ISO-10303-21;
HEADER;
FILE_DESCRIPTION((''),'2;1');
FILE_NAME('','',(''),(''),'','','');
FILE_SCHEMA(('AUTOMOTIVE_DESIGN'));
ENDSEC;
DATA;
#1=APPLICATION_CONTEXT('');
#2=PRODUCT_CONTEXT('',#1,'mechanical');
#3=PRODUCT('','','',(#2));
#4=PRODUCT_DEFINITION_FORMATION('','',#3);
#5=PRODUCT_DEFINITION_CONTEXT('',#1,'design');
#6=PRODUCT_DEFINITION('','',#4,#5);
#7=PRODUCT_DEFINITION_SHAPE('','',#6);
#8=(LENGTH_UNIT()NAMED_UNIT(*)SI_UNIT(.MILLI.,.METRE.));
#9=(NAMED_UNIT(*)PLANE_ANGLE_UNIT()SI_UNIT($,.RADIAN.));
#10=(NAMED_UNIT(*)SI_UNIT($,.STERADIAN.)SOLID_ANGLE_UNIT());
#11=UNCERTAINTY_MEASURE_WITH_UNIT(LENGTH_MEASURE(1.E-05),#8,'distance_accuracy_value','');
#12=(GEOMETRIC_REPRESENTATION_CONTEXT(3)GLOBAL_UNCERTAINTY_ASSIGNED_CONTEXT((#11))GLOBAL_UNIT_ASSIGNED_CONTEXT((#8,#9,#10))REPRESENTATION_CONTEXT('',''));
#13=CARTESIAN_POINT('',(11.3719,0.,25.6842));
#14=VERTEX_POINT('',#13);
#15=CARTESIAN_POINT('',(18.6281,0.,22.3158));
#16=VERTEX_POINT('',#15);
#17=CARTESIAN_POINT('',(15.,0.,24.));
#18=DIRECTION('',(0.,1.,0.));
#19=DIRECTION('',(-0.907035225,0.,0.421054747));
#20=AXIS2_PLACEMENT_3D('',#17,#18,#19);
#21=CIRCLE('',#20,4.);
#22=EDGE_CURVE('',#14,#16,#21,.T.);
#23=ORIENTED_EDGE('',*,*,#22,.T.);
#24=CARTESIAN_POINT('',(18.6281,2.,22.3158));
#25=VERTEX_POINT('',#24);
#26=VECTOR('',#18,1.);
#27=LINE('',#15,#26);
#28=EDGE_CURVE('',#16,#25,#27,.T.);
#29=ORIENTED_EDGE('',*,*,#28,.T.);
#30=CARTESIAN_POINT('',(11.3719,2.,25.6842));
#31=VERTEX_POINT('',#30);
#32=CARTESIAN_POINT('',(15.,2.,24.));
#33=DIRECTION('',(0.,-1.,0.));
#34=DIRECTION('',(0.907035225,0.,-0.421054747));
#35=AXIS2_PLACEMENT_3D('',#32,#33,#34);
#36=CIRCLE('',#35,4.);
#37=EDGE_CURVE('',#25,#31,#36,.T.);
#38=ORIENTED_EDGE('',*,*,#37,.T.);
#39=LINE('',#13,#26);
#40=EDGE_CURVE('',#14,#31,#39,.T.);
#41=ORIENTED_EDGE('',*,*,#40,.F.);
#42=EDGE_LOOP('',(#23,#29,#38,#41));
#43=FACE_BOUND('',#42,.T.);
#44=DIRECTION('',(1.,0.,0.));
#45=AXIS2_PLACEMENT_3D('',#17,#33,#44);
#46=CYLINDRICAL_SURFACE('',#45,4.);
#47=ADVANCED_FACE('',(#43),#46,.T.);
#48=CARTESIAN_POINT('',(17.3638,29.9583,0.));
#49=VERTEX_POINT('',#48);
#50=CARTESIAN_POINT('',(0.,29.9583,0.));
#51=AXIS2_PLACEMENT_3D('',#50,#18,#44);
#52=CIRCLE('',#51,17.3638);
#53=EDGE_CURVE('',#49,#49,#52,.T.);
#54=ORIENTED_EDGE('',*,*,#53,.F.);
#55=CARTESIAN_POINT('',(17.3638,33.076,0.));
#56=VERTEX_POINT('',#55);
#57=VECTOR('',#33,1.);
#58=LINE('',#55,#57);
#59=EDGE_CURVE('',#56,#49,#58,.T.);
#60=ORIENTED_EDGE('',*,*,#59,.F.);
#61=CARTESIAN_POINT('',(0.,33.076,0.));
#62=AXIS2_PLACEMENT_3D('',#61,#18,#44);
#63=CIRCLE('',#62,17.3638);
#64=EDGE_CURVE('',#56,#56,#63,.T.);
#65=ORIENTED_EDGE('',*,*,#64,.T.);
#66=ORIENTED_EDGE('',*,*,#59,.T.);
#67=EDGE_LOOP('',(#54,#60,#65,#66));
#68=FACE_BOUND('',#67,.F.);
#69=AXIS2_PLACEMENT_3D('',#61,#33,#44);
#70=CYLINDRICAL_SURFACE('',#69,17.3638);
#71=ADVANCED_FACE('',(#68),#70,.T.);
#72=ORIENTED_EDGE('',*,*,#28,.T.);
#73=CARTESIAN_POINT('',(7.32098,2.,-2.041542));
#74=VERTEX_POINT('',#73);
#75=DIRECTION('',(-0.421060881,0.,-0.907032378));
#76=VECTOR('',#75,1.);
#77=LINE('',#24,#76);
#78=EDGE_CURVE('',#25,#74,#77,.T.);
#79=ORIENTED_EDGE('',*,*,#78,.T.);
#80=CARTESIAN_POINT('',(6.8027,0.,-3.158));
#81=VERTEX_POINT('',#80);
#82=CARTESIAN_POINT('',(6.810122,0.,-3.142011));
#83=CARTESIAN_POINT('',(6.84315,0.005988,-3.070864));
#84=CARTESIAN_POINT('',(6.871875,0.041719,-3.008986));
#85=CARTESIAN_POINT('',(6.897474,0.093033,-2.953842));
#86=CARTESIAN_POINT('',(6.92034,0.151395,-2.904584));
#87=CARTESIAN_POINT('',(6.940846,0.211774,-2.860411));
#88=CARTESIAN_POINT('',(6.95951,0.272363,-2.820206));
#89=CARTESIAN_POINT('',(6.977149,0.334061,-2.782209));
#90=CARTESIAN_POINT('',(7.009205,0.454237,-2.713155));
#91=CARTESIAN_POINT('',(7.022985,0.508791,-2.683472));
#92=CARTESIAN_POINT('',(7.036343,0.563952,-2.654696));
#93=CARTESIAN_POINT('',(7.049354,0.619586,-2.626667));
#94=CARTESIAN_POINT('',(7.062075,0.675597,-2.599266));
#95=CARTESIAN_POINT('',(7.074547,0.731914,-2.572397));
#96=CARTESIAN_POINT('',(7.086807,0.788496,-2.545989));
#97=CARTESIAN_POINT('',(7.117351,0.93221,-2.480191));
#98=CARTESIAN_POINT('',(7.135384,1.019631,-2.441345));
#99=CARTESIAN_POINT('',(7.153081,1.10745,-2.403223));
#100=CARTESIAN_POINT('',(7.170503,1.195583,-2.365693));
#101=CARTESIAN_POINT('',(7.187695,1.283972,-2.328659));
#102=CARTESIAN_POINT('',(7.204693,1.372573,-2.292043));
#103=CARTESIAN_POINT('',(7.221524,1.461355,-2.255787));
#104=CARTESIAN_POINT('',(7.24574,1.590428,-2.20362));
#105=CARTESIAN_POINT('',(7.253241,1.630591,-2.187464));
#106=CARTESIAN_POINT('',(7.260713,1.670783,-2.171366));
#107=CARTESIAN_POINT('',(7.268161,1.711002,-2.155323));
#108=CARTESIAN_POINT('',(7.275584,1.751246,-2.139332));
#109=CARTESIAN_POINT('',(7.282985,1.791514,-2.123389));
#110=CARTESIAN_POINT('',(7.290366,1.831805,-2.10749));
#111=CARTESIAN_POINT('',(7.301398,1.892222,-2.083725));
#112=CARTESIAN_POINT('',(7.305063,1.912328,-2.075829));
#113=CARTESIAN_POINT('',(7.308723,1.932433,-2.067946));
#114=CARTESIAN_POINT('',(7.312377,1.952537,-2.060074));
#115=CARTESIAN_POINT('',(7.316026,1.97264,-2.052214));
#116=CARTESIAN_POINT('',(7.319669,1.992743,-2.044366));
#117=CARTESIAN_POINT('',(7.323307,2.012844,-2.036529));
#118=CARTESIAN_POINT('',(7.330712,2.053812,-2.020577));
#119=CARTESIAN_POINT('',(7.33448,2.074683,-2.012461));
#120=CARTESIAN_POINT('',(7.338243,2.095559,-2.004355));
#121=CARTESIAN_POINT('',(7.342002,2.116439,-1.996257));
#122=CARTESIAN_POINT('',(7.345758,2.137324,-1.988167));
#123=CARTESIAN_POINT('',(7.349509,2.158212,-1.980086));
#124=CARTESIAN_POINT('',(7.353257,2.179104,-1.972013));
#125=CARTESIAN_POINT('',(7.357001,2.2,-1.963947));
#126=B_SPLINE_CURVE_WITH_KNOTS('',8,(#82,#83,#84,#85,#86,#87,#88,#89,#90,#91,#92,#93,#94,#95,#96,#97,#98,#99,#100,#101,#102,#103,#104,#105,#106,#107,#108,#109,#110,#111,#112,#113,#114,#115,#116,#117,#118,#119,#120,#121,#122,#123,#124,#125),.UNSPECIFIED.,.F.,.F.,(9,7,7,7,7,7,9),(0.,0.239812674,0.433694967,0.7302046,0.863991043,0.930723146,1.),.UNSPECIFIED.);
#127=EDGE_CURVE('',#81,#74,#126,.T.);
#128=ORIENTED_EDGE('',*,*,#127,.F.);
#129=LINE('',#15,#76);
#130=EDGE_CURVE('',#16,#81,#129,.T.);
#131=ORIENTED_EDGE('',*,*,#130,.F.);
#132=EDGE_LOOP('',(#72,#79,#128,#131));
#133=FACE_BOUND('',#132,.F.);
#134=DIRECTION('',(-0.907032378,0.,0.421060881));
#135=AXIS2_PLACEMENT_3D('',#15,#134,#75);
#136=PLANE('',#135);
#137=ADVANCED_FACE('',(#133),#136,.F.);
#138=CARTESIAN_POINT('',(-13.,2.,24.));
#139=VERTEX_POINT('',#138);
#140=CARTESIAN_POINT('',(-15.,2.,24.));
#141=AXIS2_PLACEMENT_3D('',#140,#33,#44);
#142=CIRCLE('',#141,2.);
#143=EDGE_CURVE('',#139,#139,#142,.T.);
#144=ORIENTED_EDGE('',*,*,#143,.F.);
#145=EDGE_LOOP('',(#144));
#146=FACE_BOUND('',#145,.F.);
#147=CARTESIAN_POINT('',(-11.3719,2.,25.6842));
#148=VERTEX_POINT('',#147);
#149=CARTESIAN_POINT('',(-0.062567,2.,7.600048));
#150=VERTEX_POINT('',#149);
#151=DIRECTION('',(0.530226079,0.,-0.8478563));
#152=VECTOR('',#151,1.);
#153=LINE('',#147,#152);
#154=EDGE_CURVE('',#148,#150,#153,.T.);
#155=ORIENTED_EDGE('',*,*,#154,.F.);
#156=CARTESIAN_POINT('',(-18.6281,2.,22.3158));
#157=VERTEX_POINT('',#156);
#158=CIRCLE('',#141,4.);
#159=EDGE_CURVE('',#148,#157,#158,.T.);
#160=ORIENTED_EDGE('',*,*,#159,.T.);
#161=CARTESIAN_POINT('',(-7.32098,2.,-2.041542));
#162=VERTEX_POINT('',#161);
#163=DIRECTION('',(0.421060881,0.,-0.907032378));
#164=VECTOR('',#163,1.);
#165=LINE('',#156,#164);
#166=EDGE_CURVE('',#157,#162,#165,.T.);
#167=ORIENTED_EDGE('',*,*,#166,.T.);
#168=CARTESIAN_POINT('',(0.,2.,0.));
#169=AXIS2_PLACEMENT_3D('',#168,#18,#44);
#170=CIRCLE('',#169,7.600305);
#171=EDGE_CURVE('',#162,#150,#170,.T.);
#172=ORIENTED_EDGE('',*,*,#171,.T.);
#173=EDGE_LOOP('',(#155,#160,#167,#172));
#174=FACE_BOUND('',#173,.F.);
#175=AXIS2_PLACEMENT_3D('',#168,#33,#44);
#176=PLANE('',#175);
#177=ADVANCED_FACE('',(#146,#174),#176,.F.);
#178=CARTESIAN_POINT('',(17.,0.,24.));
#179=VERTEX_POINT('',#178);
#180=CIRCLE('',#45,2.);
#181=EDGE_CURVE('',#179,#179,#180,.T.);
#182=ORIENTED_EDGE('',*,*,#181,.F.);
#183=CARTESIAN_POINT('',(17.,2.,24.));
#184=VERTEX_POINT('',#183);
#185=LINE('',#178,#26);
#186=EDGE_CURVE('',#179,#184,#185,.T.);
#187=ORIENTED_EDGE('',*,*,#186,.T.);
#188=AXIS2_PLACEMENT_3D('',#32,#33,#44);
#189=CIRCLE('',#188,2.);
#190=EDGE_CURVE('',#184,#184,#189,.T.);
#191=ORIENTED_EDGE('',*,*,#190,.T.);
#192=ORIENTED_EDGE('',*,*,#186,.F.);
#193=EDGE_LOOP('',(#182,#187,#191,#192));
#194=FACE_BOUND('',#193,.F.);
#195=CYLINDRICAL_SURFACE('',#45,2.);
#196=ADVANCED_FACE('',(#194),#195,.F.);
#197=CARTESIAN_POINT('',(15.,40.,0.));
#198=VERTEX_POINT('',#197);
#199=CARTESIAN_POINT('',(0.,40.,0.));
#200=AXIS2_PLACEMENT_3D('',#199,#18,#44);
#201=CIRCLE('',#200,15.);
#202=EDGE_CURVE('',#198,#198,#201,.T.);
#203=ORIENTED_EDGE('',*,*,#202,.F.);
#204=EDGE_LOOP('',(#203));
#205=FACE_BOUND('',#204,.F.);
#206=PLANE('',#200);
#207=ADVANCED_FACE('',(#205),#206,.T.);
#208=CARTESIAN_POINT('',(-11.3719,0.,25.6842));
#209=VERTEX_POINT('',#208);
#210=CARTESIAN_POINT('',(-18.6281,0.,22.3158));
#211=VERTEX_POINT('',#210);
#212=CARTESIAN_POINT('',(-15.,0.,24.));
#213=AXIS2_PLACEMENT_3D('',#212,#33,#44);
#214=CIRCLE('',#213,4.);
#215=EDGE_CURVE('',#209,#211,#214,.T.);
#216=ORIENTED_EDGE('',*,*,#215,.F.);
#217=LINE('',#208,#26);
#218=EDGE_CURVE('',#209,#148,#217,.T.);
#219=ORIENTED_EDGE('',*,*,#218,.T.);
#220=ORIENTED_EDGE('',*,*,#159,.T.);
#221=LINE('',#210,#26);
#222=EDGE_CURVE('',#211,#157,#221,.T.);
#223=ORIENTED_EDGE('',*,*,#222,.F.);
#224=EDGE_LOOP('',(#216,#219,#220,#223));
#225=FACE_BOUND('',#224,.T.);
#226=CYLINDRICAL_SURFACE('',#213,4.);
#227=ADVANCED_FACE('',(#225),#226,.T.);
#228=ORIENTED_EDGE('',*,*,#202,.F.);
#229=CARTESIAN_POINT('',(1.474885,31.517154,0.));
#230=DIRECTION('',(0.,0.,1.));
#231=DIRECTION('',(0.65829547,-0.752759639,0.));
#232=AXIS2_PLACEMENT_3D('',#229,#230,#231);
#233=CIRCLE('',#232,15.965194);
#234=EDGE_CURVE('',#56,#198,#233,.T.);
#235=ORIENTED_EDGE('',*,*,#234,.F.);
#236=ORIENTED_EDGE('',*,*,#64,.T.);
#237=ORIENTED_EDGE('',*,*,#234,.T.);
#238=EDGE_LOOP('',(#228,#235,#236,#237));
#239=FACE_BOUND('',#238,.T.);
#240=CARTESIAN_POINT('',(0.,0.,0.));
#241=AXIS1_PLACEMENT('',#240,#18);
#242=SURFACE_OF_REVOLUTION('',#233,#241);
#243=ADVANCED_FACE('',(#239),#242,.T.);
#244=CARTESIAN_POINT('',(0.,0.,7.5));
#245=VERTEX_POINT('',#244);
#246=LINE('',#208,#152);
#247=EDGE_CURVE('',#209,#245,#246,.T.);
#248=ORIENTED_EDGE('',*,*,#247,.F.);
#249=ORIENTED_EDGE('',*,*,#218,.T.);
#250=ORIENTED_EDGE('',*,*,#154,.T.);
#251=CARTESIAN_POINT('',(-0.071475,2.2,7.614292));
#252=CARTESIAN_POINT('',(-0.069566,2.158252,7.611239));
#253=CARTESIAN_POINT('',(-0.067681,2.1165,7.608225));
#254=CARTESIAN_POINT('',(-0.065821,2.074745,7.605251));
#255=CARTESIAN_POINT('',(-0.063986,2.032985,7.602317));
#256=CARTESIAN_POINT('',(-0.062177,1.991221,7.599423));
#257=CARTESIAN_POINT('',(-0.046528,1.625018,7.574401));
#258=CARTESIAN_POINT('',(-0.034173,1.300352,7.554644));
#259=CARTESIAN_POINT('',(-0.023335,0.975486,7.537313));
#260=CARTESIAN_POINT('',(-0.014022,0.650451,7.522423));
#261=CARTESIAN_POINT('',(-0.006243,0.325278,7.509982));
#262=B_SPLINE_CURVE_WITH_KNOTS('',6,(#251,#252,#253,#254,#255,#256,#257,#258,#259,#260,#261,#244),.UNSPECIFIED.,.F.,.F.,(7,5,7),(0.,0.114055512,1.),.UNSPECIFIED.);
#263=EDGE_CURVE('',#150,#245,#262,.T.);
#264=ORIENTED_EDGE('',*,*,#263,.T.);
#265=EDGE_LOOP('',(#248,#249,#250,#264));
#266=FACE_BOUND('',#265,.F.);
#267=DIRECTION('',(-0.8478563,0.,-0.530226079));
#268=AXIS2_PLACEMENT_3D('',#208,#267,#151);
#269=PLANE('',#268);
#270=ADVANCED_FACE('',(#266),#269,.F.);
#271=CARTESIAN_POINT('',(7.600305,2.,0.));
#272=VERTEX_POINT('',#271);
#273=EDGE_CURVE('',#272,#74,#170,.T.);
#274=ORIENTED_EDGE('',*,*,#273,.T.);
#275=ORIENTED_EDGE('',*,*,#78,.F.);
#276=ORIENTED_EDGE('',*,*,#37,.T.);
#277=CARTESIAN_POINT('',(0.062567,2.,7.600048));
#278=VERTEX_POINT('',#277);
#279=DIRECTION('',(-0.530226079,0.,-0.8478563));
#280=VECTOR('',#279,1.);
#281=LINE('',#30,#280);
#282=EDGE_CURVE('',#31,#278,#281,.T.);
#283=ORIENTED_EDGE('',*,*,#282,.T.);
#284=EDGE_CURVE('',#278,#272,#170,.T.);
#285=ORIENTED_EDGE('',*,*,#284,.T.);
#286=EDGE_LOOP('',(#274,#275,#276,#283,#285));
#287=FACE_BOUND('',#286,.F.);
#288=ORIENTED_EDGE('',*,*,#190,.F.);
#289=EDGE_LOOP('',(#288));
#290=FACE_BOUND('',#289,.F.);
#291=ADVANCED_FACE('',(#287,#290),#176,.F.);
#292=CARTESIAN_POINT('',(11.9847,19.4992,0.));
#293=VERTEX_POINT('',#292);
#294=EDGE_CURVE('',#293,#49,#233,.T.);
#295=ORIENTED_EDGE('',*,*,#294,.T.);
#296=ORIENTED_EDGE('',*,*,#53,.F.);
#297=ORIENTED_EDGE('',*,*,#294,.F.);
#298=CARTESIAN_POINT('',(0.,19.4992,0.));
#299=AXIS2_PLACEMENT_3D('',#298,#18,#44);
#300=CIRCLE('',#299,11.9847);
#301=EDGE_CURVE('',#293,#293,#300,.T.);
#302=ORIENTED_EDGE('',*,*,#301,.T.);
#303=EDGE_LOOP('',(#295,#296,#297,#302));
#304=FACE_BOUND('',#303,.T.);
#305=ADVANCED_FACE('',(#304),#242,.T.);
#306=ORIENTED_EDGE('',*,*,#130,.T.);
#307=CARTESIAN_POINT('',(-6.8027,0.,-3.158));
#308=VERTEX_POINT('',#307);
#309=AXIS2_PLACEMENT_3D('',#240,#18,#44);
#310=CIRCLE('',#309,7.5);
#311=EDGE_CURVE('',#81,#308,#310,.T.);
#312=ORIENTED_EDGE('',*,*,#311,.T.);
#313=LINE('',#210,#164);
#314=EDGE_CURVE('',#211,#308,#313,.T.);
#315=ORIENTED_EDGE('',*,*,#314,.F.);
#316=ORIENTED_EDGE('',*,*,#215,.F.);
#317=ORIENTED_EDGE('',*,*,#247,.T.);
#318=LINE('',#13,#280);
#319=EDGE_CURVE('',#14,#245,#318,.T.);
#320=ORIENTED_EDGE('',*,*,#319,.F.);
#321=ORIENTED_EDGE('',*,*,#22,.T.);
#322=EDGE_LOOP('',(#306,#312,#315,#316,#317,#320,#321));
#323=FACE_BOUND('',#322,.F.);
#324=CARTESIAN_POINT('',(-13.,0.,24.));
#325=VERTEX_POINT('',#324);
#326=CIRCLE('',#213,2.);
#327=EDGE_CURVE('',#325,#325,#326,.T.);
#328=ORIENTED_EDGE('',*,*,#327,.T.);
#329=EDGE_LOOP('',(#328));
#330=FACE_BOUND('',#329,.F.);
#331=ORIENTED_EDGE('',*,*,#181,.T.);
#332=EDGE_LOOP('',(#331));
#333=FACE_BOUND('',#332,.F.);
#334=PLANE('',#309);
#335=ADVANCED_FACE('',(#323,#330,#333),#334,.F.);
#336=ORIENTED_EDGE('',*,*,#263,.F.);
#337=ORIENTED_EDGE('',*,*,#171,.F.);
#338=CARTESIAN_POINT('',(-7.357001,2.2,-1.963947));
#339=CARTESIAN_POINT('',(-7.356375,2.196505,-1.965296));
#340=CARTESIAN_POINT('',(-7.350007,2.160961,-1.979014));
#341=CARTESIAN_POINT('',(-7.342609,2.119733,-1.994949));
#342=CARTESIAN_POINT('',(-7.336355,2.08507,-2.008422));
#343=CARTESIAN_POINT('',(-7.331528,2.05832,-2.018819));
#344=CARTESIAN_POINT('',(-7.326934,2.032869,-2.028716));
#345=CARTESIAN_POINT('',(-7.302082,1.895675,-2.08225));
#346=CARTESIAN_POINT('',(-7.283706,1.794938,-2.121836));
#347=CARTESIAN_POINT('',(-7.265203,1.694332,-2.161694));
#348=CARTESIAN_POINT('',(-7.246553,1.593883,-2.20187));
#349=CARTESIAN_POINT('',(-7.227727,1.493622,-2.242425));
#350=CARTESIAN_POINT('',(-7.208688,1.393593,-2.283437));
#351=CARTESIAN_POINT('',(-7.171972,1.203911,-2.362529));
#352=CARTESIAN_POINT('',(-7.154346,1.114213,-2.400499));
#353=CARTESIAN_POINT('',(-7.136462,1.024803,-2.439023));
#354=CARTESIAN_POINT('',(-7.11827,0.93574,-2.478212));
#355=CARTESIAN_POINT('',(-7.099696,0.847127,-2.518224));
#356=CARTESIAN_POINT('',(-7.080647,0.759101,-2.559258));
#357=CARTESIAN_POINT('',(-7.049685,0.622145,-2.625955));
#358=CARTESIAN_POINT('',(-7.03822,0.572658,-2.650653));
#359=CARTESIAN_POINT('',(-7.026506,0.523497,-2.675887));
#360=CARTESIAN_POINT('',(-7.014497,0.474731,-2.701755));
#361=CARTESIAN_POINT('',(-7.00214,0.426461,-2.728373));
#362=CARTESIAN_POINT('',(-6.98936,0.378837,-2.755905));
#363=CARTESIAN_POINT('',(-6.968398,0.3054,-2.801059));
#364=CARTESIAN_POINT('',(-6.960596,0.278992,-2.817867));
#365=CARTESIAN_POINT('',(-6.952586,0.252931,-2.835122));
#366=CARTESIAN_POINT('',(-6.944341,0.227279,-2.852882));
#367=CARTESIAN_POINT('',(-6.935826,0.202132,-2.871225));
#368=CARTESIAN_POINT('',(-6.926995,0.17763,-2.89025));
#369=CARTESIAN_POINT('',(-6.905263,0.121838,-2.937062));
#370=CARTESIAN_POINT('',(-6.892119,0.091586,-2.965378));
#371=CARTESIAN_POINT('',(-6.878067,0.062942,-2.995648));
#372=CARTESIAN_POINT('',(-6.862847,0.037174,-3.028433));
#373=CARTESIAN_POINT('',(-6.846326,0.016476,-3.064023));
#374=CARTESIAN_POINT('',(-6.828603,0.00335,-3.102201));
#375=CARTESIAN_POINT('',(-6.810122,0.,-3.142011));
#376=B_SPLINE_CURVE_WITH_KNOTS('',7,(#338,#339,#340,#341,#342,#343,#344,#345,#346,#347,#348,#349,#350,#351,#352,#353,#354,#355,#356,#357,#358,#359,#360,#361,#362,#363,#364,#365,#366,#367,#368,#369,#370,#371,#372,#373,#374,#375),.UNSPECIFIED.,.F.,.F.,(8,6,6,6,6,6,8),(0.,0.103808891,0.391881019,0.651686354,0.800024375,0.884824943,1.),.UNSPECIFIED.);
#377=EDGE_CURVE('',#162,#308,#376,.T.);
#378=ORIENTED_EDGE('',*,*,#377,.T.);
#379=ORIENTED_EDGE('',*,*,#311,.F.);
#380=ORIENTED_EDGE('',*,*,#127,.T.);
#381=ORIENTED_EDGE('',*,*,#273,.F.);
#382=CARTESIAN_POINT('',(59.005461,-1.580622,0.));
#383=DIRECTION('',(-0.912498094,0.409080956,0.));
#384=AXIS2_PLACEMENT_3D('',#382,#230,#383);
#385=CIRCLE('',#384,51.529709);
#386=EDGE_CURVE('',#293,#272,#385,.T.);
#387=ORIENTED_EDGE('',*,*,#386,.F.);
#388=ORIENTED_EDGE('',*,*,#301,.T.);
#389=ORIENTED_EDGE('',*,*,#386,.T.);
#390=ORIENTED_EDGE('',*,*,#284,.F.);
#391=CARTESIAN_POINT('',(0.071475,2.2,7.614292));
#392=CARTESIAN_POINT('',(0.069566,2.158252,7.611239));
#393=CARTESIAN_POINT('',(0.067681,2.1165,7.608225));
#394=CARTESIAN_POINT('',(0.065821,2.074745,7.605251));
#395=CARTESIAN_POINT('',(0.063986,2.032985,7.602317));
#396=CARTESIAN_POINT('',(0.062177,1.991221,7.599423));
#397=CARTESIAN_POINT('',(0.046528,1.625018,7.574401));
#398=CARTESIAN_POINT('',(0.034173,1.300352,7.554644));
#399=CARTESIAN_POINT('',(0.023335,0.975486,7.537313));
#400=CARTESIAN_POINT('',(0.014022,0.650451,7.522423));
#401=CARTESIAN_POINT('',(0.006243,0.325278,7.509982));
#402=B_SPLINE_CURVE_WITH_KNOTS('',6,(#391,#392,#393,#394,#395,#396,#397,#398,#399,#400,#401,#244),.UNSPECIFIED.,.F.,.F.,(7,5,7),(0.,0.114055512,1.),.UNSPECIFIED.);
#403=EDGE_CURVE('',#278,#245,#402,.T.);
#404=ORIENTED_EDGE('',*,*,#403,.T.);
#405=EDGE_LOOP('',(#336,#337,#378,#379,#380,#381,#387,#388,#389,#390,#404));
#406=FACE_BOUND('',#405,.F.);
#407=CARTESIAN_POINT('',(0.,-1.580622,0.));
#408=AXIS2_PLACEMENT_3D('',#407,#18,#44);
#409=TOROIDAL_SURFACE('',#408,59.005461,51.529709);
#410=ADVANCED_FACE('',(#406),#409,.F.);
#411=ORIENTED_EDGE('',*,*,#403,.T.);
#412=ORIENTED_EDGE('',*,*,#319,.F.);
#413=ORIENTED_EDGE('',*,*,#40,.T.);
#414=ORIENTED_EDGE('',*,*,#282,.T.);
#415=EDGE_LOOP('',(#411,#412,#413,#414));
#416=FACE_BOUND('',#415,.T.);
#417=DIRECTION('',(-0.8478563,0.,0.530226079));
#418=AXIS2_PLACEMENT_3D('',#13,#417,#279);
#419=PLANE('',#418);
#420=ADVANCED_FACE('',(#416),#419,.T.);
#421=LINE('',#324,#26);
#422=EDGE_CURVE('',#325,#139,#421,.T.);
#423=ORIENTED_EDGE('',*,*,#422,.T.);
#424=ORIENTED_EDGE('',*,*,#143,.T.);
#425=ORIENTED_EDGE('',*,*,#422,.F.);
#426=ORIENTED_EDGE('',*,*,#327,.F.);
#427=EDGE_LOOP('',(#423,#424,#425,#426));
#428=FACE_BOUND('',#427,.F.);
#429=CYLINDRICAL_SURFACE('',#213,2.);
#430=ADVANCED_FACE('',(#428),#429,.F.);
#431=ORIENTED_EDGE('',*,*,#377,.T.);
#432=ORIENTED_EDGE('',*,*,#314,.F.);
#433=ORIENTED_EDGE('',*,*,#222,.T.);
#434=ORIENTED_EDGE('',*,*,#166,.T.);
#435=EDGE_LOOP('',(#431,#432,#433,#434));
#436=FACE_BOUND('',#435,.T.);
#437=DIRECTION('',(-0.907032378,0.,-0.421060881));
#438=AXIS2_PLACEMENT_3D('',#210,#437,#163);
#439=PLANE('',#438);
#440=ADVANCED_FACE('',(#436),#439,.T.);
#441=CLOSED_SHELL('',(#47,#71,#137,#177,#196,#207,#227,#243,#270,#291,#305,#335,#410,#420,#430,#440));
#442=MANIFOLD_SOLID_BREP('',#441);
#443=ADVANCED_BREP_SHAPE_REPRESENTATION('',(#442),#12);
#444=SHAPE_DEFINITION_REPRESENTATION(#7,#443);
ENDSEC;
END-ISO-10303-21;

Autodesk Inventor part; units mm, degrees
ref_plane "YZ Plane" through (0, 0, 0) normal (1, 0, 0) x (0, 1, 0)
ref_plane "XZ Plane" through (0, 0, 0) normal (0, 1, 0) x (-1, 0, 0)
ref_plane "XY Plane" through (0, 0, 0) normal (0, 0, 1) x (1, 0, 0)
sketch "Sketch1" plane through (0, 0, 0) normal (0, 0, 1) x (1, 0, 0)
  line L0 (0, 0) -> (0, 40)
  line L1 (0, 40) -> (15, 40)
  line L2 (0, 40) -> (15, 40) construction
  line L3 (17.3638, 33.076) -> (17.3638, 29.9583)
  arc A0 (11.9847, 19.4992) -> (7.5, 0) centre (59.0045, -1.5803) ccw
  arc A1 (11.9847, 19.4992) -> (15, 40) centre (1.4748, 31.5172) ccw
  line L4 (7.5, 0) -> (0, 0)
  dimension "d0" = 40
  dimension "d2" = 15
  dimension "d3" = 0
  dimension "d5" = 90
  dimension "d6" = 7.5
  dimension "d8" = 15.9652
  dimension "d10" = 17.3638
  dimension "d11" = 6.924
  dimension "d12" = 2.3638
  dimension "d13" = 5.3791
  dimension "d14" = 51.5287
revolve "Revolution1" add sketch "Sketch1" angle 360 about axis through (0, 0, 0) along (0, 1, 0) contours L0 L1 A1 L3 A0 L4
sketch "Sketch2" plane through (0, 0, 0) normal (0, -1, 0) x (1, 0, 0)
  point P0 (0, 0)
sketch "Sketch3" plane through (0, 0, 0) normal (0, -1, 0) x (1, 0, 0)
  line L0 (0, 0) -> (-15, 0) construction
  line L1 (-15, 0) -> (-15, 24) construction
  circle A0 centre (-15, 24) radius 2
  circle A1 centre (15, 24) radius 2
  circle A2 centre (15, 24) radius 4
  circle A3 centre (-15, 24) radius 4
  arc A4 (-7.5, 0) -> (6.8027, -3.158) centre (0, 0) ccw
  circle A5 centre (0, 0) radius 7.5 projected
  line L2 (18.6281, 22.3158) -> (6.8027, -3.158)
  line L3 (-18.6281, 22.3158) -> (-6.8027, -3.158)
  line L4 (11.3719, 25.6842) -> (0, 7.5)
  line L5 (-11.3719, 25.6842) -> (0, 7.5)
  dimension "d15" = 15
  dimension "d16" = 24
  dimension "d17" = 4
  dimension "d18" = 4
  dimension "d19" = 30
  dimension "d20" = 24
  dimension "d21" = 2
  dimension "d22" = 2
  dimension "d23" = 7.119
  dimension "d24" = 56.922
  dimension "d25" = 3.9767
extrude "Extrusion1" add sketch "Sketch3" against normal blind 2 contours A2 | A2 L2 A5 L4 | A5 A4 L3 A3 L5 | A3
properties part number "25 deurknop"
